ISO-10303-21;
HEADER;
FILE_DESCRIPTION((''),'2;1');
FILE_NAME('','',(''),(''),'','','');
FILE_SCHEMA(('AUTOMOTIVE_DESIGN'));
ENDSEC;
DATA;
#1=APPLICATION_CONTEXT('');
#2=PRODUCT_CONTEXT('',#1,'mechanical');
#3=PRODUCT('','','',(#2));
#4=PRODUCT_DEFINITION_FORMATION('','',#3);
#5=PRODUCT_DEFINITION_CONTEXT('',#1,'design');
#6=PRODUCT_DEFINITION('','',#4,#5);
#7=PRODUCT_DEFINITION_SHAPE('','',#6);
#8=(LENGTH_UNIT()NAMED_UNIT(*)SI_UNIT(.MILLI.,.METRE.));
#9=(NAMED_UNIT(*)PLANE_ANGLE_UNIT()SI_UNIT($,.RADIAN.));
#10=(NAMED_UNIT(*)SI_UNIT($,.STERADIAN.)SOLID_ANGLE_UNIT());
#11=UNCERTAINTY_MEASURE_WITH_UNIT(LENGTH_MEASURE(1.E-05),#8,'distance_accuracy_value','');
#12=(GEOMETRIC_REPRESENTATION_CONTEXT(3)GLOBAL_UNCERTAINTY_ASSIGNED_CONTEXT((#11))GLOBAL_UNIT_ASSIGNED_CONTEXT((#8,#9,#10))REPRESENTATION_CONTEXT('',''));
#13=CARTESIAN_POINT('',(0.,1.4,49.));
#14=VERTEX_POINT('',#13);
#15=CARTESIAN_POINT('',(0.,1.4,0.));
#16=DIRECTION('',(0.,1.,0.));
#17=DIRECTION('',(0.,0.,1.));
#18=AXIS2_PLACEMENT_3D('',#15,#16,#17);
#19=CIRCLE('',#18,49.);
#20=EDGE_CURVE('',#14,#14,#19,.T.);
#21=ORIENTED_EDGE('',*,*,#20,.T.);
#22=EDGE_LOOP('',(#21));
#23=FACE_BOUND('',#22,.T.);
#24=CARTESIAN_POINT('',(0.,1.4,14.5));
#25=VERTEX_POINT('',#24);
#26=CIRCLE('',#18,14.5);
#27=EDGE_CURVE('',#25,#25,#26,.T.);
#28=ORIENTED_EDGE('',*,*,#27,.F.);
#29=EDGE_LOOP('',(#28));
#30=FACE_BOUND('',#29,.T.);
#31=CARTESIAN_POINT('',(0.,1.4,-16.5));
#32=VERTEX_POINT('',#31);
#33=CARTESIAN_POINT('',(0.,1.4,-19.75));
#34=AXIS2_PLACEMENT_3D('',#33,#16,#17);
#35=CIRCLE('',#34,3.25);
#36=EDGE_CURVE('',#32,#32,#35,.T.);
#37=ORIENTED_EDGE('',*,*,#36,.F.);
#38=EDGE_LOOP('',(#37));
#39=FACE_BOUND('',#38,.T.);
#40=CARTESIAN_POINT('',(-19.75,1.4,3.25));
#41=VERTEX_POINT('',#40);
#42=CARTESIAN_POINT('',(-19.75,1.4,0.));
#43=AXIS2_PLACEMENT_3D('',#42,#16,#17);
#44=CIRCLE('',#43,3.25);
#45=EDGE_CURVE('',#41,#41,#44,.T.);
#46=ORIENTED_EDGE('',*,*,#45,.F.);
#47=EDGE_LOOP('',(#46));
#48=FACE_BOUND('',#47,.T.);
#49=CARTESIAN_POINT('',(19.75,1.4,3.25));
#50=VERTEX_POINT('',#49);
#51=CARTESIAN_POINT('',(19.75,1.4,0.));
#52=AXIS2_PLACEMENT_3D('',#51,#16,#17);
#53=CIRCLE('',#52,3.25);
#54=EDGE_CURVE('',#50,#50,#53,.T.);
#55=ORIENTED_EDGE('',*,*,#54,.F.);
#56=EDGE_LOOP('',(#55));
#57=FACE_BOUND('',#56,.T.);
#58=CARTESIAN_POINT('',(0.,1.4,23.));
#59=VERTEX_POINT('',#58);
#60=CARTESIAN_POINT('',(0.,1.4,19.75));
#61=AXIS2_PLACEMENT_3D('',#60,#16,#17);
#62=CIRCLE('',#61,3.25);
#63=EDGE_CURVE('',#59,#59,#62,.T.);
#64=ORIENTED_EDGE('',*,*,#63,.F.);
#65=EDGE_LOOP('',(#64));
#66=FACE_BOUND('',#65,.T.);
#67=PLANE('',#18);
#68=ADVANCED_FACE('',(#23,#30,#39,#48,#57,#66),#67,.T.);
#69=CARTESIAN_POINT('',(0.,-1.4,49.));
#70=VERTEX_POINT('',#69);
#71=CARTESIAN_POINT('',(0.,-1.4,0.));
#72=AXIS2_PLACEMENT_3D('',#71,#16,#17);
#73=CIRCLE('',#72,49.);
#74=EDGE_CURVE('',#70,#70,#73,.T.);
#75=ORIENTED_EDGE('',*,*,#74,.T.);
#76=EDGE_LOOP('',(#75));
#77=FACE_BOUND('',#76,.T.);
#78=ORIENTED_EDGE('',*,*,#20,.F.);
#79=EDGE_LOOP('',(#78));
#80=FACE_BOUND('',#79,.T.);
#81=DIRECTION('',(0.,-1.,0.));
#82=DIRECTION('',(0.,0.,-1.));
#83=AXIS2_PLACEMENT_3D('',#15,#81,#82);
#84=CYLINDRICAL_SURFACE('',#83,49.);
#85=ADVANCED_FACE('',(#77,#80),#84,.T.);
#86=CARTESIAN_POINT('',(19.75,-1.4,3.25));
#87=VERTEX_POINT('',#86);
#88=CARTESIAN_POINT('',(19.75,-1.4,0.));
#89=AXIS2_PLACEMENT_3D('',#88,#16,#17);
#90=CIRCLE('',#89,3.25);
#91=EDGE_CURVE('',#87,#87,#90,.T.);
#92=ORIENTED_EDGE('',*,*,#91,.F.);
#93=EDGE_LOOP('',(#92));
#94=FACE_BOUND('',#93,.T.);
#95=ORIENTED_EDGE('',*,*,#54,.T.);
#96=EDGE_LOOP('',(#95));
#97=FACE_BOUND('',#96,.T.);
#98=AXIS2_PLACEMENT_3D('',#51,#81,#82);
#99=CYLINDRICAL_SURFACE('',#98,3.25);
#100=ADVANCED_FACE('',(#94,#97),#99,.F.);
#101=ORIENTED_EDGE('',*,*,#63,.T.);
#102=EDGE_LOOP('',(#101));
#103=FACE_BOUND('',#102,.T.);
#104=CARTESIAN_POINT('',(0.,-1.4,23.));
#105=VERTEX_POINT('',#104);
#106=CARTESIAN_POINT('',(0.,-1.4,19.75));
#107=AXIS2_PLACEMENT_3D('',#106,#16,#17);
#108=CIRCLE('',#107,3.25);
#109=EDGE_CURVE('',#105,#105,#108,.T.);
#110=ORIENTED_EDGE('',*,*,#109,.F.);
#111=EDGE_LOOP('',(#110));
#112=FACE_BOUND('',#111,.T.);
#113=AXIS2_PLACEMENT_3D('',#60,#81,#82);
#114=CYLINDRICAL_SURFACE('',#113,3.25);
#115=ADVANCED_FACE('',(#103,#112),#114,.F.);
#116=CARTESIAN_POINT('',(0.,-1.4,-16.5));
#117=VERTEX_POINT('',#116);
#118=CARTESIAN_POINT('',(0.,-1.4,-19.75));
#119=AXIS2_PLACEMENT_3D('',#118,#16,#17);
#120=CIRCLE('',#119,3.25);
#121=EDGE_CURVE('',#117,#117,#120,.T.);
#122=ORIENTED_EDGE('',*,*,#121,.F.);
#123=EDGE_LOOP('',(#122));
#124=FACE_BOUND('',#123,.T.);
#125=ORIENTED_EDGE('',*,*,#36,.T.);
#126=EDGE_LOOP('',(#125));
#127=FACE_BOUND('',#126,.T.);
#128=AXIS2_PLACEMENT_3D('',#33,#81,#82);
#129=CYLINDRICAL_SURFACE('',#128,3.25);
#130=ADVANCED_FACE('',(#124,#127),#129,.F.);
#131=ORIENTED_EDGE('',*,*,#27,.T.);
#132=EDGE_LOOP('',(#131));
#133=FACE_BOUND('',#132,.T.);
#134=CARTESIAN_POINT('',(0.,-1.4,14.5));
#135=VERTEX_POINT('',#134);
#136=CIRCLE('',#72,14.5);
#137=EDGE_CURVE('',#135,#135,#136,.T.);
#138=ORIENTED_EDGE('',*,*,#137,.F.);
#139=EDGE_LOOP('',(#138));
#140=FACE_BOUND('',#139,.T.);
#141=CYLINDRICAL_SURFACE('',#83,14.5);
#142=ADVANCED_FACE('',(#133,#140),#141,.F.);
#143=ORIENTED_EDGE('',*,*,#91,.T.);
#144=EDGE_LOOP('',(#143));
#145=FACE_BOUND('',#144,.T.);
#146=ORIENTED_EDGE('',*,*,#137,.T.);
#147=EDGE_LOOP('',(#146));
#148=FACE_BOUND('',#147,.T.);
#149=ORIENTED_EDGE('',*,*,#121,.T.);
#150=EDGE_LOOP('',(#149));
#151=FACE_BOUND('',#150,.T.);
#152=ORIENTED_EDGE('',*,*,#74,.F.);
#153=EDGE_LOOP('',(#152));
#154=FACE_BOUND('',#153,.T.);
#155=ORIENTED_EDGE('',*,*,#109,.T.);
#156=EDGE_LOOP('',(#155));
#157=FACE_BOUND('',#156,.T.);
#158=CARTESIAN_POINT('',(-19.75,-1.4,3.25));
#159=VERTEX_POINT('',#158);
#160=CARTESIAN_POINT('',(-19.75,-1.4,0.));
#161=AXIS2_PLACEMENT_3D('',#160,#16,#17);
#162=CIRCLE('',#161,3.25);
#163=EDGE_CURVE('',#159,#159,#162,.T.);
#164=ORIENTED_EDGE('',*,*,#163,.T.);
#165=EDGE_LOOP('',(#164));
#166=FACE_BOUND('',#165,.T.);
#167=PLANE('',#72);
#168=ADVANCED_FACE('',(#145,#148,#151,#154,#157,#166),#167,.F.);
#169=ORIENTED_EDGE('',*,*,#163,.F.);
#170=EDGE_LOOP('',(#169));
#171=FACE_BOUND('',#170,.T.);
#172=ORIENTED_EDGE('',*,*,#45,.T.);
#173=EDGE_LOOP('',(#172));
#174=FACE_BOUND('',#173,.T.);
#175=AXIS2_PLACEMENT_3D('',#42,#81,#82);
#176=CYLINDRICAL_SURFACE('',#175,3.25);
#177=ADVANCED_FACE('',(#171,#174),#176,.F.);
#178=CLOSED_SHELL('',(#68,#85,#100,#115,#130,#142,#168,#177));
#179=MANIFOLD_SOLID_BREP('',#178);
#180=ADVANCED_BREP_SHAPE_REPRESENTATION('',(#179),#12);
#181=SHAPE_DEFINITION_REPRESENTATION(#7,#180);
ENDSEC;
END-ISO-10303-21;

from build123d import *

# Parameters (mm, degrees)
SKETCH1_R           = 49
SKETCH1_R_2         = 14.5
SKETCH1_R_3         = 3.25
BOSS_EXTRUDE1_DEPTH = 1.4


with BuildPart() as part:
    # Sketch1 → Boss-Extrude1 (new body, symmetric)
    with BuildSketch(Plane(origin=(0, 0, 0), x_dir=(1, 0, 0), z_dir=(0, 1, 0))):
        Circle(SKETCH1_R)
        Circle(SKETCH1_R_2, mode=Mode.SUBTRACT)
        with Locations((0, 19.75)):
            Circle(SKETCH1_R_3, mode=Mode.SUBTRACT)
        with Locations((19.75, 0)):
            Circle(SKETCH1_R_3, mode=Mode.SUBTRACT)
        with Locations((0, -19.75)):
            Circle(SKETCH1_R_3, mode=Mode.SUBTRACT)
        with Locations((-19.75, 0)):
            Circle(SKETCH1_R_3, mode=Mode.SUBTRACT)
    extrude(amount=BOSS_EXTRUDE1_DEPTH, both=True)


solid = part.part
